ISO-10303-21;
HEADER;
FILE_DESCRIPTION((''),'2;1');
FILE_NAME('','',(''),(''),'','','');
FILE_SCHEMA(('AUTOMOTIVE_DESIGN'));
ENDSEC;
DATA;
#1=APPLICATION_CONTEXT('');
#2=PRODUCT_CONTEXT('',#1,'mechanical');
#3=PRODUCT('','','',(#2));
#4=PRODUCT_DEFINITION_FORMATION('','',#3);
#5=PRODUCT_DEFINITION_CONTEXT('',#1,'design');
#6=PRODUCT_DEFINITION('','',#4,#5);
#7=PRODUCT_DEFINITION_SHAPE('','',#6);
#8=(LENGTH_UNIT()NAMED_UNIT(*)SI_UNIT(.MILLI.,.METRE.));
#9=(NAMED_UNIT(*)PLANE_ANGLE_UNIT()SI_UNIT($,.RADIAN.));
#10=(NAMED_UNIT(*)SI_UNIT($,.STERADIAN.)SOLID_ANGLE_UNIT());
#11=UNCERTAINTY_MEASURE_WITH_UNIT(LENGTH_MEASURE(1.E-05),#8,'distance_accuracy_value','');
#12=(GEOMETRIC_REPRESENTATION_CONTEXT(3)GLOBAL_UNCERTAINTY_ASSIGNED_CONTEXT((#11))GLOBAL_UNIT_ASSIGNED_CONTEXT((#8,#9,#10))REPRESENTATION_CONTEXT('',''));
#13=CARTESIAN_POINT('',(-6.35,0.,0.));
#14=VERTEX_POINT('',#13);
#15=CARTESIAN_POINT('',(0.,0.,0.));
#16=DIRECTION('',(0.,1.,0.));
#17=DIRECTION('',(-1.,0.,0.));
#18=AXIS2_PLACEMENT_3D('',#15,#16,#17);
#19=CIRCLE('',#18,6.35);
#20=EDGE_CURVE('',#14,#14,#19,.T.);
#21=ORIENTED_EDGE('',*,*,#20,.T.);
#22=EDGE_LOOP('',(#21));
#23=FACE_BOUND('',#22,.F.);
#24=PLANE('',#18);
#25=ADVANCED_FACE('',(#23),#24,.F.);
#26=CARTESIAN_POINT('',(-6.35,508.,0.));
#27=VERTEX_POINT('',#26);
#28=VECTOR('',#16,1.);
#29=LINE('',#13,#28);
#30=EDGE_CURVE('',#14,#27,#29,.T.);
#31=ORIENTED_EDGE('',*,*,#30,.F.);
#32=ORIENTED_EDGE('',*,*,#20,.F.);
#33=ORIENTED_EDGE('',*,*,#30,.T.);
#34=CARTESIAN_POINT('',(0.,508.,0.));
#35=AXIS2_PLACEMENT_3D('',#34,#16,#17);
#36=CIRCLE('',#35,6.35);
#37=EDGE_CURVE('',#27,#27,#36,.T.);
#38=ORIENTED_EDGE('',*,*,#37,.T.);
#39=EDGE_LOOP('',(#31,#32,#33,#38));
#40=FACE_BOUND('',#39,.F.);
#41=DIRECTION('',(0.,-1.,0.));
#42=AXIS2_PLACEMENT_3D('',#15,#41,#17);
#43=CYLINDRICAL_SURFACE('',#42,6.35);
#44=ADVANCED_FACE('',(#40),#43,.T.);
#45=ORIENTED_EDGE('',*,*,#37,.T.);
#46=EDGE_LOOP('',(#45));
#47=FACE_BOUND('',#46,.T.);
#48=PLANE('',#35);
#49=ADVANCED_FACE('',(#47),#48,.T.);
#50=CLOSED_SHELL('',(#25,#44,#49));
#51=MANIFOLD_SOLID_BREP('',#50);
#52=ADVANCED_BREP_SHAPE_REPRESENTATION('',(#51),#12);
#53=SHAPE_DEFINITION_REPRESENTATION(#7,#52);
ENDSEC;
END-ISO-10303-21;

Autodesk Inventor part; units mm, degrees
ref_plane "YZ Plane" through (0, 0, 0) normal (1, 0, 0) x (0, 1, 0)
ref_plane "XZ Plane" through (0, 0, 0) normal (0, 1, 0) x (-1, 0, 0)
ref_plane "XY Plane" through (0, 0, 0) normal (0, 0, 1) x (1, 0, 0)
sketch "Sketch1" plane through (0, 0, 0) normal (0, 1, 0) x (-1, 0, 0)
  circle A0 centre (0, 0) radius 6.35
  dimension "d0" = 12.7
extrude "Extrusion1" add sketch "Sketch1" along normal blind 508
properties part number "CatapultAxleSupportSquare"
